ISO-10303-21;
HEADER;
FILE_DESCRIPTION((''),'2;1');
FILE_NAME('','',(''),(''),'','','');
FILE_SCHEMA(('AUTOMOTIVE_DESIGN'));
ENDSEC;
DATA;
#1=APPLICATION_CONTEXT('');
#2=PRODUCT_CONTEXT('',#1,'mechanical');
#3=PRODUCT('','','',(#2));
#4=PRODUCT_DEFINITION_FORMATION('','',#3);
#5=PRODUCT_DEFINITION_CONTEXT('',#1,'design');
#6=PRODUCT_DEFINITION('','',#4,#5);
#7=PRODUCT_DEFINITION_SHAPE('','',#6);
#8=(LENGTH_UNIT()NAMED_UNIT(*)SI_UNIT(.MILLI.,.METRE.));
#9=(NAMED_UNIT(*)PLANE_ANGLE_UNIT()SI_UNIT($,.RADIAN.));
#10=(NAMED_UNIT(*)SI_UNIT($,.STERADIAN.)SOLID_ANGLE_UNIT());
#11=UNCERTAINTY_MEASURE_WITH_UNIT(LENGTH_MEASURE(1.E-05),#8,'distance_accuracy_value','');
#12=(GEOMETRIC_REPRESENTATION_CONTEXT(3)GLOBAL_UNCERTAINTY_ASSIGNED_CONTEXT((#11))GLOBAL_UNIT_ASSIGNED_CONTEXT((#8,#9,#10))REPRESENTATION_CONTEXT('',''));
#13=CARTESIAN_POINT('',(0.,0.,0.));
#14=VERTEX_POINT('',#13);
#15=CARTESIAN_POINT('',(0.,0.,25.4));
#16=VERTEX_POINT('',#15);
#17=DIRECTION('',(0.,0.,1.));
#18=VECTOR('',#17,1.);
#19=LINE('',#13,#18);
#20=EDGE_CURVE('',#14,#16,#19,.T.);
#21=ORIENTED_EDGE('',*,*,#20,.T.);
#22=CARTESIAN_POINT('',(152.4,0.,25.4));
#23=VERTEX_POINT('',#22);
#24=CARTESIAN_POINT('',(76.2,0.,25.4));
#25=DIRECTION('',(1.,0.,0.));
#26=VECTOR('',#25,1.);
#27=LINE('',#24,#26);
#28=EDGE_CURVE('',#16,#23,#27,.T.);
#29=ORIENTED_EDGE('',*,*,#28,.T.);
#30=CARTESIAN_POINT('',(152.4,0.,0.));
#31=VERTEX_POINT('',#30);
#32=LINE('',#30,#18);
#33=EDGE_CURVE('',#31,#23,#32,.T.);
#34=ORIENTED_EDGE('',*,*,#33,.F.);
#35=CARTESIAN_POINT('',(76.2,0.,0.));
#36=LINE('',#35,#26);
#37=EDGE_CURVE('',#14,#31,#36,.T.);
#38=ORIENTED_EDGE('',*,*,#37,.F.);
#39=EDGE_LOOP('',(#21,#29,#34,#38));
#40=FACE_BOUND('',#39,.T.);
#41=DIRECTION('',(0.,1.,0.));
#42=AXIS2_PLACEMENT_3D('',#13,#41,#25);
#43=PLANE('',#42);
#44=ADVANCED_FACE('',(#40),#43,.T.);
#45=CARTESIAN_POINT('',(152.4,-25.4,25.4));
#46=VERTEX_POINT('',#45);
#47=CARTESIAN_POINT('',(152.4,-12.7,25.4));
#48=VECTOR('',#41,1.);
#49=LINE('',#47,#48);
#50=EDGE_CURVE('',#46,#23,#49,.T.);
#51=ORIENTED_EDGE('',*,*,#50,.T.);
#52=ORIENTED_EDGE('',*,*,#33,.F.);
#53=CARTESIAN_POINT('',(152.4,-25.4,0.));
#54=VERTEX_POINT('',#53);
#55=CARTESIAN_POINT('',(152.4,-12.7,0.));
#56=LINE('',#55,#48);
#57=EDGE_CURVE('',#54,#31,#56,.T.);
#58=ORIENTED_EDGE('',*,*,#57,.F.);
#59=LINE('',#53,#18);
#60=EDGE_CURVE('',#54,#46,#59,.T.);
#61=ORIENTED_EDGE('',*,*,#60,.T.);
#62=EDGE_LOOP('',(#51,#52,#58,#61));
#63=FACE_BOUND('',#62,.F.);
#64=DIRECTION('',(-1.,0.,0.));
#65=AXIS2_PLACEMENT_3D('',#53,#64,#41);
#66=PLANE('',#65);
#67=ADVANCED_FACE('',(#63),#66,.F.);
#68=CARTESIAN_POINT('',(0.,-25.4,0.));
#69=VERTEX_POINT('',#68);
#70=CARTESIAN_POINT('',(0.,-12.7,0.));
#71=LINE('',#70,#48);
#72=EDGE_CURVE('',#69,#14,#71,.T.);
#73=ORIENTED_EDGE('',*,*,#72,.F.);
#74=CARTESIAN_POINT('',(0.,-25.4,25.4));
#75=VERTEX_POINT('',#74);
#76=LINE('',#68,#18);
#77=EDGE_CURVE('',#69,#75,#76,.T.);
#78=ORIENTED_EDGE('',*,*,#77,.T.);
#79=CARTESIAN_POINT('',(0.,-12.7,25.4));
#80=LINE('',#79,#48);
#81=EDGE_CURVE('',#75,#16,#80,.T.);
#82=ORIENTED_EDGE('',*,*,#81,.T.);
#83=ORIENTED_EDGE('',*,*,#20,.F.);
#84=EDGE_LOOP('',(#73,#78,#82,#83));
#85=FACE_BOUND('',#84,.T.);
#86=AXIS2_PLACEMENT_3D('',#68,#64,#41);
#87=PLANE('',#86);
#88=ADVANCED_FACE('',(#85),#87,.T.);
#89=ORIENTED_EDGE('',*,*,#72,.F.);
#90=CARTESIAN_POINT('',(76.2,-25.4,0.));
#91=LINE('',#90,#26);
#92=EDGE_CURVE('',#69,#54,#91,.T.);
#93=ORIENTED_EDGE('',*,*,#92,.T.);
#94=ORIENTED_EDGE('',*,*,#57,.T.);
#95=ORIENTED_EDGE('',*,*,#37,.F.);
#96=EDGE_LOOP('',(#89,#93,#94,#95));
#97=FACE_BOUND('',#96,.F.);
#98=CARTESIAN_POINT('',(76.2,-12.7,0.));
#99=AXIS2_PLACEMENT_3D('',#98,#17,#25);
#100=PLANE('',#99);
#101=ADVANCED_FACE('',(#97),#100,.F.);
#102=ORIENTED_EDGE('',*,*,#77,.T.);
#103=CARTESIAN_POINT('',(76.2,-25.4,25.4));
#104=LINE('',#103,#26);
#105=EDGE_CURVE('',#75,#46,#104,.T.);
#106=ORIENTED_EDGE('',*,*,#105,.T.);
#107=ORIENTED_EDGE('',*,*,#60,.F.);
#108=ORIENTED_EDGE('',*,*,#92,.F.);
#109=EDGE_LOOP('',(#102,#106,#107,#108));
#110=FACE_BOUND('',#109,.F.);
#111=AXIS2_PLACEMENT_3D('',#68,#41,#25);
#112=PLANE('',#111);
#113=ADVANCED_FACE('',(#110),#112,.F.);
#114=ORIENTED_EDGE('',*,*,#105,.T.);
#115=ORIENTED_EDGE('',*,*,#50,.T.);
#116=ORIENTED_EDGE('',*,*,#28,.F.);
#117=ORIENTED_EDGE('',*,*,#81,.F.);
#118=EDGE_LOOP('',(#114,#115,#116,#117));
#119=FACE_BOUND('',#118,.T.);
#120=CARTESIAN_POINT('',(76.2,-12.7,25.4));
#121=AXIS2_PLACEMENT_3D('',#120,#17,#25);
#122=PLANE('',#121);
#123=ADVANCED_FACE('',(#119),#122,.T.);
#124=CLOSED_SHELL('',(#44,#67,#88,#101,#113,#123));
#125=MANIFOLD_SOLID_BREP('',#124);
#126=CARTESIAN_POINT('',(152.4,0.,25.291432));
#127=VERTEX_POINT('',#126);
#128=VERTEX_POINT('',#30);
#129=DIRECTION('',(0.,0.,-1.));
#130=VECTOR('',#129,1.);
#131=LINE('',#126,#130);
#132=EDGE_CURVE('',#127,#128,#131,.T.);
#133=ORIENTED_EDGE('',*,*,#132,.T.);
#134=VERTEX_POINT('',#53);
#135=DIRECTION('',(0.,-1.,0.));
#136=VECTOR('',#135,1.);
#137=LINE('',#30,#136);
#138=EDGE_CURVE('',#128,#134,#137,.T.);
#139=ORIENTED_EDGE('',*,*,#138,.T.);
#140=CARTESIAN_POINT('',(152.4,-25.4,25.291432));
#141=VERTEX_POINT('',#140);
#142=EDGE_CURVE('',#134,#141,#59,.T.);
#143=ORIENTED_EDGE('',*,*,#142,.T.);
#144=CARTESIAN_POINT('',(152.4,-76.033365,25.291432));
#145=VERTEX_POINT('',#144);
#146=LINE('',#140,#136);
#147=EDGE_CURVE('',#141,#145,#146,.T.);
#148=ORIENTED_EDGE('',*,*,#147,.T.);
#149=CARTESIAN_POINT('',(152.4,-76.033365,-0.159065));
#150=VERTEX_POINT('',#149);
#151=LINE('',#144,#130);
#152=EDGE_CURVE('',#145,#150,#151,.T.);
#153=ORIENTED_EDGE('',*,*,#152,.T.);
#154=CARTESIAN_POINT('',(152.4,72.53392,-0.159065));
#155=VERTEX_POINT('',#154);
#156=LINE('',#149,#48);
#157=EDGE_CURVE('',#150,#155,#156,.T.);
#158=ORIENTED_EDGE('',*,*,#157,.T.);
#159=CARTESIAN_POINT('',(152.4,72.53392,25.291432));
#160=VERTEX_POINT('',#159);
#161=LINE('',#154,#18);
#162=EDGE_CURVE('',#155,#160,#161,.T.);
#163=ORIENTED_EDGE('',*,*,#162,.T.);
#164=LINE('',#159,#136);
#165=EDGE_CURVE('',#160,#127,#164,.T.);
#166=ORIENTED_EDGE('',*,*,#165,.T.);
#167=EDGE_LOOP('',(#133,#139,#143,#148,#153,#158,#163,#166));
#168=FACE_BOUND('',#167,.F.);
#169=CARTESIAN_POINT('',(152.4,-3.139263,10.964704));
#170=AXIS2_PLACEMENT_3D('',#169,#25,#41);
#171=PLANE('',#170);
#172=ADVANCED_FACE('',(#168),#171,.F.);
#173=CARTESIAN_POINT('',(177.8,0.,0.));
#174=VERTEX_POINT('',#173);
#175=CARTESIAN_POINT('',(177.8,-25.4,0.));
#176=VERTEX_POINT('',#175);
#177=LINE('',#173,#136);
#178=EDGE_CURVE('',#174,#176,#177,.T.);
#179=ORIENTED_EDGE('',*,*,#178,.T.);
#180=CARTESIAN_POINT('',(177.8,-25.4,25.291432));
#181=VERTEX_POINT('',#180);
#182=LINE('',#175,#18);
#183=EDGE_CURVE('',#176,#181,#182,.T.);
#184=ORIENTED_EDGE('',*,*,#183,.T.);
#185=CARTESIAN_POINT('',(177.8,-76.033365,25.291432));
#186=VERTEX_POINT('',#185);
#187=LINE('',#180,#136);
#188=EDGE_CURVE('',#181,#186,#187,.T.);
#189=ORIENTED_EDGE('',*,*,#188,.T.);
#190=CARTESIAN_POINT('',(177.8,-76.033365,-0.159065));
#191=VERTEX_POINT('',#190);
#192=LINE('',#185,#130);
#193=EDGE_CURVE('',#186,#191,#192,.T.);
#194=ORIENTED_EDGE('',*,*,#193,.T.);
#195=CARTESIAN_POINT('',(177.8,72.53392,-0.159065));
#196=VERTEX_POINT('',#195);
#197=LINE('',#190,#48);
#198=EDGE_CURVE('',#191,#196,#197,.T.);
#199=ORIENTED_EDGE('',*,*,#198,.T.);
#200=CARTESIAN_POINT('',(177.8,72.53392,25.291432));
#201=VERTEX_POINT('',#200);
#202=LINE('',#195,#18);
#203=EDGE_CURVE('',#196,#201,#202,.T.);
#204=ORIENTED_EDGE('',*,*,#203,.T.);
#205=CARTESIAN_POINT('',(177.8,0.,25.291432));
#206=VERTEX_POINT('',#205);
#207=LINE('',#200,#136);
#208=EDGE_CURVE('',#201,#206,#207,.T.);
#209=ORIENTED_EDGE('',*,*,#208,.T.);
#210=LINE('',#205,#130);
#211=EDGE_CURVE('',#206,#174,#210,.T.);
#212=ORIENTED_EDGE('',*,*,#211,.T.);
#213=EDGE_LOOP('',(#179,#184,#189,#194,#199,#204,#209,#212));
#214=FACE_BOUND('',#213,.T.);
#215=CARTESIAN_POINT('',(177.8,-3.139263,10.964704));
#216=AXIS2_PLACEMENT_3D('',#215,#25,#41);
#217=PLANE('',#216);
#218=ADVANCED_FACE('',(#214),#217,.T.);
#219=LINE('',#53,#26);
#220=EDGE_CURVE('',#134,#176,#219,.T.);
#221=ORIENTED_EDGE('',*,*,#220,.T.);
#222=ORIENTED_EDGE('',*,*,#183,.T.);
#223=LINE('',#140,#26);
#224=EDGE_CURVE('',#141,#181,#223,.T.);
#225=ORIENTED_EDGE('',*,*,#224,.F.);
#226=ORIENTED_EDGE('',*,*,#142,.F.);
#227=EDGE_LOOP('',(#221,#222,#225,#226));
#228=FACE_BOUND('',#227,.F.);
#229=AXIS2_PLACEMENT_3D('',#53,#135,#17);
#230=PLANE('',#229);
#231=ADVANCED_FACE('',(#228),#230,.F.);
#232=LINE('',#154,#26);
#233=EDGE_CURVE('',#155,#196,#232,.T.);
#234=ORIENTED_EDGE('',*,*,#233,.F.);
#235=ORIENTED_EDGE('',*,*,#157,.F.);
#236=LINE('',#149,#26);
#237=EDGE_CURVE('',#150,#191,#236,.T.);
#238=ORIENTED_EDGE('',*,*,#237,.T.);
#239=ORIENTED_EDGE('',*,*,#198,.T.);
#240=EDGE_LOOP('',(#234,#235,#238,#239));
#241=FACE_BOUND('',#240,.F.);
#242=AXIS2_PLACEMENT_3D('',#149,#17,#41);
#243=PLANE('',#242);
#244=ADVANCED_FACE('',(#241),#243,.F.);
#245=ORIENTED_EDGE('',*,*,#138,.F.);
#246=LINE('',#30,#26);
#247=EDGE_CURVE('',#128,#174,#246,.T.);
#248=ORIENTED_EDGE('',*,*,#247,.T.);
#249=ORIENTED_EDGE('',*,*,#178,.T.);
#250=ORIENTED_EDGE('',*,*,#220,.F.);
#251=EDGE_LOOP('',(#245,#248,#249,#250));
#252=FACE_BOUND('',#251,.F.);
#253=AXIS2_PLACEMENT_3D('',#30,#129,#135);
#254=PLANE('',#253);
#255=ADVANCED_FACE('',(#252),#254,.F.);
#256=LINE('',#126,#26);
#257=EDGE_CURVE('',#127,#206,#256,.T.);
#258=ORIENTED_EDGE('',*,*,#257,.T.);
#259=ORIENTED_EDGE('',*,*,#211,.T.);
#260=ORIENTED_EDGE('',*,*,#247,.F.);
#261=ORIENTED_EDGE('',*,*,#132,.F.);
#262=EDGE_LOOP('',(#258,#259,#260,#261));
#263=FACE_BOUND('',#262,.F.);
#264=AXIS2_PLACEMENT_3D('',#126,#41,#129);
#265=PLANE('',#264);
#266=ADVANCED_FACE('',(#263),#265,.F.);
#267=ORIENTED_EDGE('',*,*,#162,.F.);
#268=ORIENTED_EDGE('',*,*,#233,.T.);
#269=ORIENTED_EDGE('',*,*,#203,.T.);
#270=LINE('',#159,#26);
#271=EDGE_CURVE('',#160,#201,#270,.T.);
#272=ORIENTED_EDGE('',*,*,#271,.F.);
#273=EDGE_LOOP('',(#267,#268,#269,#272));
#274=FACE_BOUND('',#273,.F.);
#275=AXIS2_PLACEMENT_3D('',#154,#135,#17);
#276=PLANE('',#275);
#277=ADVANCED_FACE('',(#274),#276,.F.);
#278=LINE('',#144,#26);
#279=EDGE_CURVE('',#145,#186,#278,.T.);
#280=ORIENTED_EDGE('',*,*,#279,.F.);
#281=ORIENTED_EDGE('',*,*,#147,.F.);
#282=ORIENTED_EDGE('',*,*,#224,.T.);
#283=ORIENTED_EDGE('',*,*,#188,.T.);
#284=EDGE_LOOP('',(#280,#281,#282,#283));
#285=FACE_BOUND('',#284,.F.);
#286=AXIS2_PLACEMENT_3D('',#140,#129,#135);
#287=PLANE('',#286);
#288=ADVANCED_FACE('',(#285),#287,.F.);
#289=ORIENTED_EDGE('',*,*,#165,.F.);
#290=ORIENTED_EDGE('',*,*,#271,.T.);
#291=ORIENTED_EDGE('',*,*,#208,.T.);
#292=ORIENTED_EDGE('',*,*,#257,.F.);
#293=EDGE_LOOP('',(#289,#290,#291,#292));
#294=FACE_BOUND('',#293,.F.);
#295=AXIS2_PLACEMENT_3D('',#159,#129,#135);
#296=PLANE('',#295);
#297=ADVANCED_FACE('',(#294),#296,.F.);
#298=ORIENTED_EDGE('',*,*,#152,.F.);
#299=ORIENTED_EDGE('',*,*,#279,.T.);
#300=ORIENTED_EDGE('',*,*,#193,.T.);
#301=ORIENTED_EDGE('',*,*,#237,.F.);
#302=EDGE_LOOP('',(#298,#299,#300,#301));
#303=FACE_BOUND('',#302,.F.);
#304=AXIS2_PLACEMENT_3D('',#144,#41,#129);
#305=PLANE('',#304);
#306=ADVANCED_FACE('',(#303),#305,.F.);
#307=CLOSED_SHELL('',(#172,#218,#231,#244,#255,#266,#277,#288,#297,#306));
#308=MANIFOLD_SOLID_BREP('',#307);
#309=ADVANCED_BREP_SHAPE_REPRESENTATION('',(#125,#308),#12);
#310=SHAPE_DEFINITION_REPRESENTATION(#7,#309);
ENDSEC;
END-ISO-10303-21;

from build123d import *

# Parameters (mm, degrees)
F0_W     = 152.4
F0_H     = 25.4
F1_DEPTH = 25.4
F4_DEPTH = 25.4


with BuildPart() as f1:
    # F0 (on Top) → F1 (new body)
    with BuildSketch(Plane.XY):
        with Locations((76.2, -12.7)):
            Rectangle(F0_W, F0_H)
    extrude(amount=F1_DEPTH)


with BuildPart() as f4:
    # F3 (on face) → F4 (new body)
    with BuildSketch(Plane.YZ.offset(152.4)):
        Polygon((-76.033365, -0.159065), (72.53392, -0.159065), (72.53392, 25.291432), (0, 25.291432), (0, 0), (-25.4, 0), (-25.4, 25.291432), (-76.033365, 25.291432), align=None)
    extrude(amount=F4_DEPTH)


solid = Compound([f1.part, f4.part])
